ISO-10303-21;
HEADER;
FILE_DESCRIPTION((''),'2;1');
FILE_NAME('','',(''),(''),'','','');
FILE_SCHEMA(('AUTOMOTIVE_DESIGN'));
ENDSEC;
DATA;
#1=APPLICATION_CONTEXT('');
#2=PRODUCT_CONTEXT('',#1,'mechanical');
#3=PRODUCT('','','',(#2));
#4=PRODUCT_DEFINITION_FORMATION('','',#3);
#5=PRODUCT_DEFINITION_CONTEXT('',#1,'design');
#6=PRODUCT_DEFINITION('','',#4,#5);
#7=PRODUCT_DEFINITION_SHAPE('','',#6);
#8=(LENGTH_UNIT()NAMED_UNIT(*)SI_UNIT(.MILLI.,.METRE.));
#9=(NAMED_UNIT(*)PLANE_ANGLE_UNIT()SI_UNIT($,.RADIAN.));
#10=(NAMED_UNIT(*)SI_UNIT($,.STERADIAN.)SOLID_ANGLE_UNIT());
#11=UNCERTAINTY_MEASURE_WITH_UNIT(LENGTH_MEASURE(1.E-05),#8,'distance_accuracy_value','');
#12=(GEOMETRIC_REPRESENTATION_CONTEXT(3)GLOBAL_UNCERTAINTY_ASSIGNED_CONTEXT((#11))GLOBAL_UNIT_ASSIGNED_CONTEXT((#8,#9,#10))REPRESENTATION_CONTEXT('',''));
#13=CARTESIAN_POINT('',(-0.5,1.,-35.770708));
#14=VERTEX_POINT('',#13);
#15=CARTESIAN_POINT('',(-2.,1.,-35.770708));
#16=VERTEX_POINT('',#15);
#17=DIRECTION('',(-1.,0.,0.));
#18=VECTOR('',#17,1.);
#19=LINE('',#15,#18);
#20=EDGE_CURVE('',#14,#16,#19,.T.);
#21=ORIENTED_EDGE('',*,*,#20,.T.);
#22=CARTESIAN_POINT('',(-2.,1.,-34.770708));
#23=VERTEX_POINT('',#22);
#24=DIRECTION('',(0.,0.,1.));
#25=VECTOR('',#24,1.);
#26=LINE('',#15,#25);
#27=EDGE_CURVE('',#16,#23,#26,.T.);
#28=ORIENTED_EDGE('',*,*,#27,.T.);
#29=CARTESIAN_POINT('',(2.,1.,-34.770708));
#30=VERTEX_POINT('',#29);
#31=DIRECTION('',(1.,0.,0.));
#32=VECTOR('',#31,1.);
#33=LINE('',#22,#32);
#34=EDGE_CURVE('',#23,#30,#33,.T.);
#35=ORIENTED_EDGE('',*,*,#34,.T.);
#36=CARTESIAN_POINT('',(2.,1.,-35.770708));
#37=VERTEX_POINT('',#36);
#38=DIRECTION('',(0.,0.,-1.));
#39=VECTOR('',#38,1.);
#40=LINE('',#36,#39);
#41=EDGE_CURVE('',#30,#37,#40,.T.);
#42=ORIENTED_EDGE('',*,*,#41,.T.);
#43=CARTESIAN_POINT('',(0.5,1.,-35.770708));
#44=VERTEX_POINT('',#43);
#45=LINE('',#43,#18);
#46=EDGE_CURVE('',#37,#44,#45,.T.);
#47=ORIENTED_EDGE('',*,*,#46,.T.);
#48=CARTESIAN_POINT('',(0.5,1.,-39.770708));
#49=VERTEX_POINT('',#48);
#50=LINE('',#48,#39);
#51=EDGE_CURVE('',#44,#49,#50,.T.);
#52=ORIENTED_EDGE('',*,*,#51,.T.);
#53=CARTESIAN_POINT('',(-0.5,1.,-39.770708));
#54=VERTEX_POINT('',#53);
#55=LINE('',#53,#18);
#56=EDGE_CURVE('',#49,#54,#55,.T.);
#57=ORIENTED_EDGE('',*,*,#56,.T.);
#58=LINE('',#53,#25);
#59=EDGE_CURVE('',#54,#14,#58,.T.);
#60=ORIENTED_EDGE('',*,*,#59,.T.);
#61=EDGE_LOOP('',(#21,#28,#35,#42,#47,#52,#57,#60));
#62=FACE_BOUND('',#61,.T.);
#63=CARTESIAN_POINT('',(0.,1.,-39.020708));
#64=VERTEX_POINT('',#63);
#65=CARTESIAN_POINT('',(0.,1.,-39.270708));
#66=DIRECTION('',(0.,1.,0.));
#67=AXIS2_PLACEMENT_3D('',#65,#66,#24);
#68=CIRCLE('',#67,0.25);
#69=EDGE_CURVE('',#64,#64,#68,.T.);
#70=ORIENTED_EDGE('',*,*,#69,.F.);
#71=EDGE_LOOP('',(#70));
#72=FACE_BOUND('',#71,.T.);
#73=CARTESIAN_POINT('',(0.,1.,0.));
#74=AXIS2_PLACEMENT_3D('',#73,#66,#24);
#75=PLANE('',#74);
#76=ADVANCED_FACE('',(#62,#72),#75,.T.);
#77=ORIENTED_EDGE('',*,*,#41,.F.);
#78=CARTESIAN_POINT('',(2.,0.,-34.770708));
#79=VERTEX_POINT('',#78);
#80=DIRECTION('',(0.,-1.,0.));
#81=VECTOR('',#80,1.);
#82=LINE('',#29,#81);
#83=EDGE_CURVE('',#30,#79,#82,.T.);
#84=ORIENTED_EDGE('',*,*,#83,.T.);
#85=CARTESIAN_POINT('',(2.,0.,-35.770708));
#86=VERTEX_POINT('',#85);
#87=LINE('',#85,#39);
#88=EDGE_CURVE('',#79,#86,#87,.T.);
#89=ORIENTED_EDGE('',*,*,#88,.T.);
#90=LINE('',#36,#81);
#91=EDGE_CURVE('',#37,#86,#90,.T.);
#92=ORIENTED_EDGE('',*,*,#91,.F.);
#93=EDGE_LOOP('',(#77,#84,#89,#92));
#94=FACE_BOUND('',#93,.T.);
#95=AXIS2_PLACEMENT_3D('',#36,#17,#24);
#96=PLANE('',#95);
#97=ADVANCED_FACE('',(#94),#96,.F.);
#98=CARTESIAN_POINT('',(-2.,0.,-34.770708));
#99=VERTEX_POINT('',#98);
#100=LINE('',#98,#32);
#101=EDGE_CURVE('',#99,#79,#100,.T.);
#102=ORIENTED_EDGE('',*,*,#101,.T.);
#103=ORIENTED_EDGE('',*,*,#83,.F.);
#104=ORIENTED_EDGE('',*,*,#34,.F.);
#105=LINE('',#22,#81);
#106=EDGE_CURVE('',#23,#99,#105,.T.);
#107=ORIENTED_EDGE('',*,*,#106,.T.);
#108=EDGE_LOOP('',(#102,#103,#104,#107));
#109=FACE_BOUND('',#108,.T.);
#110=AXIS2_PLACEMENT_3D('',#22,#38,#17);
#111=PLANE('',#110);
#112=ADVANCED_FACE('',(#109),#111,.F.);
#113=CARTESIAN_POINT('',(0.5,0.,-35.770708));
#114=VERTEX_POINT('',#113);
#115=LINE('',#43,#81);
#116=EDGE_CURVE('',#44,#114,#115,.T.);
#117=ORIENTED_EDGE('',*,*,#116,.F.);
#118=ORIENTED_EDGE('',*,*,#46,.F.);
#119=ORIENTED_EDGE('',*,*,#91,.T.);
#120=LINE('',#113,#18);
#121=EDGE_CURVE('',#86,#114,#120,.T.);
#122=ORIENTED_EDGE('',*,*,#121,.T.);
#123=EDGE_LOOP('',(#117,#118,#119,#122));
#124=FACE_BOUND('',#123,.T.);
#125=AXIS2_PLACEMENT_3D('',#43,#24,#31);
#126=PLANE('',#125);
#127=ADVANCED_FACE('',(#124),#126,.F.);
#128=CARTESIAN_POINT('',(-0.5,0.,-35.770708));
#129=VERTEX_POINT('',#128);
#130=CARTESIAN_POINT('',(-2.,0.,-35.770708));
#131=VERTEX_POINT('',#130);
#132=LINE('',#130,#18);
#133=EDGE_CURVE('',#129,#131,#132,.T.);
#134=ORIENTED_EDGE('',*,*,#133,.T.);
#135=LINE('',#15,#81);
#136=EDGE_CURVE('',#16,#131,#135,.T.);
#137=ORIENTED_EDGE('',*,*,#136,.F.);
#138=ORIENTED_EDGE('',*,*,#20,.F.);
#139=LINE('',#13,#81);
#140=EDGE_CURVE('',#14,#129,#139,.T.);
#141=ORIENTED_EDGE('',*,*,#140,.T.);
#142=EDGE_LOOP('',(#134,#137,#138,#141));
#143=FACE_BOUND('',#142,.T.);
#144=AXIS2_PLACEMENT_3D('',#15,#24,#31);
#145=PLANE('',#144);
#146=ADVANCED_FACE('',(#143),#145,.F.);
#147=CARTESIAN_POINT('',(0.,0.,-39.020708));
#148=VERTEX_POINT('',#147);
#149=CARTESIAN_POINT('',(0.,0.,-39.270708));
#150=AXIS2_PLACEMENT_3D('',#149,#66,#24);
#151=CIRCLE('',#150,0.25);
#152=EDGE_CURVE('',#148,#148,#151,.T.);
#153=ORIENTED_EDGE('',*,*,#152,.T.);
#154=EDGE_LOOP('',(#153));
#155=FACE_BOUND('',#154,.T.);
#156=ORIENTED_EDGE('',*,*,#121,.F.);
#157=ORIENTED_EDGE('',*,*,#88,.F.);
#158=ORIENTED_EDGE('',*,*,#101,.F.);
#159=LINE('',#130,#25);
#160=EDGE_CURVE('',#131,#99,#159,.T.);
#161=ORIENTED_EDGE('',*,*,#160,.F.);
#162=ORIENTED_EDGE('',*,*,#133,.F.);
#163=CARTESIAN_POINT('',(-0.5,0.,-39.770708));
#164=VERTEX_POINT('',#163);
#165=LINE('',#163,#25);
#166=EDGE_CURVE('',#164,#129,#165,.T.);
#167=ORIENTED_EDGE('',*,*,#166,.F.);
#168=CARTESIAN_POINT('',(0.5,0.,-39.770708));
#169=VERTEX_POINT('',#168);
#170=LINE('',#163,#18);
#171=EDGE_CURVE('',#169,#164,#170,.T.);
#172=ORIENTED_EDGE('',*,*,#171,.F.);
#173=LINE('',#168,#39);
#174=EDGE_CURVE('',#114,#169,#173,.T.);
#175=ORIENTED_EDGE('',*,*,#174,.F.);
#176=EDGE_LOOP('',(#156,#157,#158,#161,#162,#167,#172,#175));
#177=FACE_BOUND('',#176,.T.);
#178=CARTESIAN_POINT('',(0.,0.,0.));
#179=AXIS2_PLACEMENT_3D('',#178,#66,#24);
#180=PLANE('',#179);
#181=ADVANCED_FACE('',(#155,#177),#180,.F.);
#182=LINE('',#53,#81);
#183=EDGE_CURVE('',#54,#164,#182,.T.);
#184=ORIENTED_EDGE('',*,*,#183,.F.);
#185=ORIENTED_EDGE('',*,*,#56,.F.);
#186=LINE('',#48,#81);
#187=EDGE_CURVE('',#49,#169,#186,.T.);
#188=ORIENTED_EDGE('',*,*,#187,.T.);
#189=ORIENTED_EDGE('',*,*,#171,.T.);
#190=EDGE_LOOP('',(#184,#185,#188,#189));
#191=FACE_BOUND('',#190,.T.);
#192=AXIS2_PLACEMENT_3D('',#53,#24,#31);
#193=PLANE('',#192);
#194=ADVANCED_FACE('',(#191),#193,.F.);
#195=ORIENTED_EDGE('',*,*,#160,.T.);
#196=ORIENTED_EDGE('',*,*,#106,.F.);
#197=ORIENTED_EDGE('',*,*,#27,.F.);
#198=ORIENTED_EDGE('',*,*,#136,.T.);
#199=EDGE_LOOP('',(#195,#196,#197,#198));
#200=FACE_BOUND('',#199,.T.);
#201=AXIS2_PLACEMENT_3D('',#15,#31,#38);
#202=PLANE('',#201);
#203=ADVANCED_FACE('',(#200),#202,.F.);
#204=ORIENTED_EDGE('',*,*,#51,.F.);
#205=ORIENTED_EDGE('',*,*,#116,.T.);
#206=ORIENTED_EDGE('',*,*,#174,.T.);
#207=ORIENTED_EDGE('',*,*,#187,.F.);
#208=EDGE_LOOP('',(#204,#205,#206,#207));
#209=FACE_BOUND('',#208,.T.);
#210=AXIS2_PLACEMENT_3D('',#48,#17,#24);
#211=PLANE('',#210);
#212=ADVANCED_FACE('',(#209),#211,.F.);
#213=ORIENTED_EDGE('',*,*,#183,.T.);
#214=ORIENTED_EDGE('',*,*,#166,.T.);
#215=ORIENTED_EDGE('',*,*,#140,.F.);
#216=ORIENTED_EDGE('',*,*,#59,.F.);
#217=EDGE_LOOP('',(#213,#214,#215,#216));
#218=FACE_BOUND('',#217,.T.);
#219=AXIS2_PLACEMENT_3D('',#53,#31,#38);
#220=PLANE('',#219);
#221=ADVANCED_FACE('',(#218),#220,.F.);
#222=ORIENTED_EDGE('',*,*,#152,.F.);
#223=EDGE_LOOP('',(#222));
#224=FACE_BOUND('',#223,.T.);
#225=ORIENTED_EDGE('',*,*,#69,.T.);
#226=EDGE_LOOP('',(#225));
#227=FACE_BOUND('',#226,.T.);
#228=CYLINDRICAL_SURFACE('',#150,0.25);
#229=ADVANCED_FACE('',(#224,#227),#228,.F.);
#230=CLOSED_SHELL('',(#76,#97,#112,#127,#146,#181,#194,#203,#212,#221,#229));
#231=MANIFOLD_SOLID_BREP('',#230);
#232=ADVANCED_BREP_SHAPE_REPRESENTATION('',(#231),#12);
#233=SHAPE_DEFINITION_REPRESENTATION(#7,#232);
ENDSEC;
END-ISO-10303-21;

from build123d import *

# Parameters (mm, degrees)
EXTRUDE_1_DEPTH     = 1
SKETCH_2_R          = 0.25
CUT_EXTRUDE_1_DEPTH = 40.833518874


with BuildPart() as part:
    # 草图1 → 凸台-拉伸1 (new body)
    with BuildSketch(Plane(origin=(0, 0, 0), x_dir=(1, 0, 0), z_dir=(0, 1, 0))):
        Polygon((-2, 35.770708139), (-0.5, 35.770708139), (-0.5, 39.770708139), (0.5, 39.770708139), (0.5, 35.770708139), (2, 35.770708139), (2, 34.770708139), (-2, 34.770708139), align=None)
    extrude(amount=EXTRUDE_1_DEPTH)

    # 草图2 → 切除-拉伸1 (cut, through all)
    with BuildSketch(Plane(origin=(0, 1, 0), x_dir=(1, 0, 0), z_dir=(0, 1, 0))):
        with Locations(Location((0, 39.270708139, 0), (0, 0, 270))):
            Circle(SKETCH_2_R)
    extrude(amount=-CUT_EXTRUDE_1_DEPTH, mode=Mode.SUBTRACT)


solid = part.part
